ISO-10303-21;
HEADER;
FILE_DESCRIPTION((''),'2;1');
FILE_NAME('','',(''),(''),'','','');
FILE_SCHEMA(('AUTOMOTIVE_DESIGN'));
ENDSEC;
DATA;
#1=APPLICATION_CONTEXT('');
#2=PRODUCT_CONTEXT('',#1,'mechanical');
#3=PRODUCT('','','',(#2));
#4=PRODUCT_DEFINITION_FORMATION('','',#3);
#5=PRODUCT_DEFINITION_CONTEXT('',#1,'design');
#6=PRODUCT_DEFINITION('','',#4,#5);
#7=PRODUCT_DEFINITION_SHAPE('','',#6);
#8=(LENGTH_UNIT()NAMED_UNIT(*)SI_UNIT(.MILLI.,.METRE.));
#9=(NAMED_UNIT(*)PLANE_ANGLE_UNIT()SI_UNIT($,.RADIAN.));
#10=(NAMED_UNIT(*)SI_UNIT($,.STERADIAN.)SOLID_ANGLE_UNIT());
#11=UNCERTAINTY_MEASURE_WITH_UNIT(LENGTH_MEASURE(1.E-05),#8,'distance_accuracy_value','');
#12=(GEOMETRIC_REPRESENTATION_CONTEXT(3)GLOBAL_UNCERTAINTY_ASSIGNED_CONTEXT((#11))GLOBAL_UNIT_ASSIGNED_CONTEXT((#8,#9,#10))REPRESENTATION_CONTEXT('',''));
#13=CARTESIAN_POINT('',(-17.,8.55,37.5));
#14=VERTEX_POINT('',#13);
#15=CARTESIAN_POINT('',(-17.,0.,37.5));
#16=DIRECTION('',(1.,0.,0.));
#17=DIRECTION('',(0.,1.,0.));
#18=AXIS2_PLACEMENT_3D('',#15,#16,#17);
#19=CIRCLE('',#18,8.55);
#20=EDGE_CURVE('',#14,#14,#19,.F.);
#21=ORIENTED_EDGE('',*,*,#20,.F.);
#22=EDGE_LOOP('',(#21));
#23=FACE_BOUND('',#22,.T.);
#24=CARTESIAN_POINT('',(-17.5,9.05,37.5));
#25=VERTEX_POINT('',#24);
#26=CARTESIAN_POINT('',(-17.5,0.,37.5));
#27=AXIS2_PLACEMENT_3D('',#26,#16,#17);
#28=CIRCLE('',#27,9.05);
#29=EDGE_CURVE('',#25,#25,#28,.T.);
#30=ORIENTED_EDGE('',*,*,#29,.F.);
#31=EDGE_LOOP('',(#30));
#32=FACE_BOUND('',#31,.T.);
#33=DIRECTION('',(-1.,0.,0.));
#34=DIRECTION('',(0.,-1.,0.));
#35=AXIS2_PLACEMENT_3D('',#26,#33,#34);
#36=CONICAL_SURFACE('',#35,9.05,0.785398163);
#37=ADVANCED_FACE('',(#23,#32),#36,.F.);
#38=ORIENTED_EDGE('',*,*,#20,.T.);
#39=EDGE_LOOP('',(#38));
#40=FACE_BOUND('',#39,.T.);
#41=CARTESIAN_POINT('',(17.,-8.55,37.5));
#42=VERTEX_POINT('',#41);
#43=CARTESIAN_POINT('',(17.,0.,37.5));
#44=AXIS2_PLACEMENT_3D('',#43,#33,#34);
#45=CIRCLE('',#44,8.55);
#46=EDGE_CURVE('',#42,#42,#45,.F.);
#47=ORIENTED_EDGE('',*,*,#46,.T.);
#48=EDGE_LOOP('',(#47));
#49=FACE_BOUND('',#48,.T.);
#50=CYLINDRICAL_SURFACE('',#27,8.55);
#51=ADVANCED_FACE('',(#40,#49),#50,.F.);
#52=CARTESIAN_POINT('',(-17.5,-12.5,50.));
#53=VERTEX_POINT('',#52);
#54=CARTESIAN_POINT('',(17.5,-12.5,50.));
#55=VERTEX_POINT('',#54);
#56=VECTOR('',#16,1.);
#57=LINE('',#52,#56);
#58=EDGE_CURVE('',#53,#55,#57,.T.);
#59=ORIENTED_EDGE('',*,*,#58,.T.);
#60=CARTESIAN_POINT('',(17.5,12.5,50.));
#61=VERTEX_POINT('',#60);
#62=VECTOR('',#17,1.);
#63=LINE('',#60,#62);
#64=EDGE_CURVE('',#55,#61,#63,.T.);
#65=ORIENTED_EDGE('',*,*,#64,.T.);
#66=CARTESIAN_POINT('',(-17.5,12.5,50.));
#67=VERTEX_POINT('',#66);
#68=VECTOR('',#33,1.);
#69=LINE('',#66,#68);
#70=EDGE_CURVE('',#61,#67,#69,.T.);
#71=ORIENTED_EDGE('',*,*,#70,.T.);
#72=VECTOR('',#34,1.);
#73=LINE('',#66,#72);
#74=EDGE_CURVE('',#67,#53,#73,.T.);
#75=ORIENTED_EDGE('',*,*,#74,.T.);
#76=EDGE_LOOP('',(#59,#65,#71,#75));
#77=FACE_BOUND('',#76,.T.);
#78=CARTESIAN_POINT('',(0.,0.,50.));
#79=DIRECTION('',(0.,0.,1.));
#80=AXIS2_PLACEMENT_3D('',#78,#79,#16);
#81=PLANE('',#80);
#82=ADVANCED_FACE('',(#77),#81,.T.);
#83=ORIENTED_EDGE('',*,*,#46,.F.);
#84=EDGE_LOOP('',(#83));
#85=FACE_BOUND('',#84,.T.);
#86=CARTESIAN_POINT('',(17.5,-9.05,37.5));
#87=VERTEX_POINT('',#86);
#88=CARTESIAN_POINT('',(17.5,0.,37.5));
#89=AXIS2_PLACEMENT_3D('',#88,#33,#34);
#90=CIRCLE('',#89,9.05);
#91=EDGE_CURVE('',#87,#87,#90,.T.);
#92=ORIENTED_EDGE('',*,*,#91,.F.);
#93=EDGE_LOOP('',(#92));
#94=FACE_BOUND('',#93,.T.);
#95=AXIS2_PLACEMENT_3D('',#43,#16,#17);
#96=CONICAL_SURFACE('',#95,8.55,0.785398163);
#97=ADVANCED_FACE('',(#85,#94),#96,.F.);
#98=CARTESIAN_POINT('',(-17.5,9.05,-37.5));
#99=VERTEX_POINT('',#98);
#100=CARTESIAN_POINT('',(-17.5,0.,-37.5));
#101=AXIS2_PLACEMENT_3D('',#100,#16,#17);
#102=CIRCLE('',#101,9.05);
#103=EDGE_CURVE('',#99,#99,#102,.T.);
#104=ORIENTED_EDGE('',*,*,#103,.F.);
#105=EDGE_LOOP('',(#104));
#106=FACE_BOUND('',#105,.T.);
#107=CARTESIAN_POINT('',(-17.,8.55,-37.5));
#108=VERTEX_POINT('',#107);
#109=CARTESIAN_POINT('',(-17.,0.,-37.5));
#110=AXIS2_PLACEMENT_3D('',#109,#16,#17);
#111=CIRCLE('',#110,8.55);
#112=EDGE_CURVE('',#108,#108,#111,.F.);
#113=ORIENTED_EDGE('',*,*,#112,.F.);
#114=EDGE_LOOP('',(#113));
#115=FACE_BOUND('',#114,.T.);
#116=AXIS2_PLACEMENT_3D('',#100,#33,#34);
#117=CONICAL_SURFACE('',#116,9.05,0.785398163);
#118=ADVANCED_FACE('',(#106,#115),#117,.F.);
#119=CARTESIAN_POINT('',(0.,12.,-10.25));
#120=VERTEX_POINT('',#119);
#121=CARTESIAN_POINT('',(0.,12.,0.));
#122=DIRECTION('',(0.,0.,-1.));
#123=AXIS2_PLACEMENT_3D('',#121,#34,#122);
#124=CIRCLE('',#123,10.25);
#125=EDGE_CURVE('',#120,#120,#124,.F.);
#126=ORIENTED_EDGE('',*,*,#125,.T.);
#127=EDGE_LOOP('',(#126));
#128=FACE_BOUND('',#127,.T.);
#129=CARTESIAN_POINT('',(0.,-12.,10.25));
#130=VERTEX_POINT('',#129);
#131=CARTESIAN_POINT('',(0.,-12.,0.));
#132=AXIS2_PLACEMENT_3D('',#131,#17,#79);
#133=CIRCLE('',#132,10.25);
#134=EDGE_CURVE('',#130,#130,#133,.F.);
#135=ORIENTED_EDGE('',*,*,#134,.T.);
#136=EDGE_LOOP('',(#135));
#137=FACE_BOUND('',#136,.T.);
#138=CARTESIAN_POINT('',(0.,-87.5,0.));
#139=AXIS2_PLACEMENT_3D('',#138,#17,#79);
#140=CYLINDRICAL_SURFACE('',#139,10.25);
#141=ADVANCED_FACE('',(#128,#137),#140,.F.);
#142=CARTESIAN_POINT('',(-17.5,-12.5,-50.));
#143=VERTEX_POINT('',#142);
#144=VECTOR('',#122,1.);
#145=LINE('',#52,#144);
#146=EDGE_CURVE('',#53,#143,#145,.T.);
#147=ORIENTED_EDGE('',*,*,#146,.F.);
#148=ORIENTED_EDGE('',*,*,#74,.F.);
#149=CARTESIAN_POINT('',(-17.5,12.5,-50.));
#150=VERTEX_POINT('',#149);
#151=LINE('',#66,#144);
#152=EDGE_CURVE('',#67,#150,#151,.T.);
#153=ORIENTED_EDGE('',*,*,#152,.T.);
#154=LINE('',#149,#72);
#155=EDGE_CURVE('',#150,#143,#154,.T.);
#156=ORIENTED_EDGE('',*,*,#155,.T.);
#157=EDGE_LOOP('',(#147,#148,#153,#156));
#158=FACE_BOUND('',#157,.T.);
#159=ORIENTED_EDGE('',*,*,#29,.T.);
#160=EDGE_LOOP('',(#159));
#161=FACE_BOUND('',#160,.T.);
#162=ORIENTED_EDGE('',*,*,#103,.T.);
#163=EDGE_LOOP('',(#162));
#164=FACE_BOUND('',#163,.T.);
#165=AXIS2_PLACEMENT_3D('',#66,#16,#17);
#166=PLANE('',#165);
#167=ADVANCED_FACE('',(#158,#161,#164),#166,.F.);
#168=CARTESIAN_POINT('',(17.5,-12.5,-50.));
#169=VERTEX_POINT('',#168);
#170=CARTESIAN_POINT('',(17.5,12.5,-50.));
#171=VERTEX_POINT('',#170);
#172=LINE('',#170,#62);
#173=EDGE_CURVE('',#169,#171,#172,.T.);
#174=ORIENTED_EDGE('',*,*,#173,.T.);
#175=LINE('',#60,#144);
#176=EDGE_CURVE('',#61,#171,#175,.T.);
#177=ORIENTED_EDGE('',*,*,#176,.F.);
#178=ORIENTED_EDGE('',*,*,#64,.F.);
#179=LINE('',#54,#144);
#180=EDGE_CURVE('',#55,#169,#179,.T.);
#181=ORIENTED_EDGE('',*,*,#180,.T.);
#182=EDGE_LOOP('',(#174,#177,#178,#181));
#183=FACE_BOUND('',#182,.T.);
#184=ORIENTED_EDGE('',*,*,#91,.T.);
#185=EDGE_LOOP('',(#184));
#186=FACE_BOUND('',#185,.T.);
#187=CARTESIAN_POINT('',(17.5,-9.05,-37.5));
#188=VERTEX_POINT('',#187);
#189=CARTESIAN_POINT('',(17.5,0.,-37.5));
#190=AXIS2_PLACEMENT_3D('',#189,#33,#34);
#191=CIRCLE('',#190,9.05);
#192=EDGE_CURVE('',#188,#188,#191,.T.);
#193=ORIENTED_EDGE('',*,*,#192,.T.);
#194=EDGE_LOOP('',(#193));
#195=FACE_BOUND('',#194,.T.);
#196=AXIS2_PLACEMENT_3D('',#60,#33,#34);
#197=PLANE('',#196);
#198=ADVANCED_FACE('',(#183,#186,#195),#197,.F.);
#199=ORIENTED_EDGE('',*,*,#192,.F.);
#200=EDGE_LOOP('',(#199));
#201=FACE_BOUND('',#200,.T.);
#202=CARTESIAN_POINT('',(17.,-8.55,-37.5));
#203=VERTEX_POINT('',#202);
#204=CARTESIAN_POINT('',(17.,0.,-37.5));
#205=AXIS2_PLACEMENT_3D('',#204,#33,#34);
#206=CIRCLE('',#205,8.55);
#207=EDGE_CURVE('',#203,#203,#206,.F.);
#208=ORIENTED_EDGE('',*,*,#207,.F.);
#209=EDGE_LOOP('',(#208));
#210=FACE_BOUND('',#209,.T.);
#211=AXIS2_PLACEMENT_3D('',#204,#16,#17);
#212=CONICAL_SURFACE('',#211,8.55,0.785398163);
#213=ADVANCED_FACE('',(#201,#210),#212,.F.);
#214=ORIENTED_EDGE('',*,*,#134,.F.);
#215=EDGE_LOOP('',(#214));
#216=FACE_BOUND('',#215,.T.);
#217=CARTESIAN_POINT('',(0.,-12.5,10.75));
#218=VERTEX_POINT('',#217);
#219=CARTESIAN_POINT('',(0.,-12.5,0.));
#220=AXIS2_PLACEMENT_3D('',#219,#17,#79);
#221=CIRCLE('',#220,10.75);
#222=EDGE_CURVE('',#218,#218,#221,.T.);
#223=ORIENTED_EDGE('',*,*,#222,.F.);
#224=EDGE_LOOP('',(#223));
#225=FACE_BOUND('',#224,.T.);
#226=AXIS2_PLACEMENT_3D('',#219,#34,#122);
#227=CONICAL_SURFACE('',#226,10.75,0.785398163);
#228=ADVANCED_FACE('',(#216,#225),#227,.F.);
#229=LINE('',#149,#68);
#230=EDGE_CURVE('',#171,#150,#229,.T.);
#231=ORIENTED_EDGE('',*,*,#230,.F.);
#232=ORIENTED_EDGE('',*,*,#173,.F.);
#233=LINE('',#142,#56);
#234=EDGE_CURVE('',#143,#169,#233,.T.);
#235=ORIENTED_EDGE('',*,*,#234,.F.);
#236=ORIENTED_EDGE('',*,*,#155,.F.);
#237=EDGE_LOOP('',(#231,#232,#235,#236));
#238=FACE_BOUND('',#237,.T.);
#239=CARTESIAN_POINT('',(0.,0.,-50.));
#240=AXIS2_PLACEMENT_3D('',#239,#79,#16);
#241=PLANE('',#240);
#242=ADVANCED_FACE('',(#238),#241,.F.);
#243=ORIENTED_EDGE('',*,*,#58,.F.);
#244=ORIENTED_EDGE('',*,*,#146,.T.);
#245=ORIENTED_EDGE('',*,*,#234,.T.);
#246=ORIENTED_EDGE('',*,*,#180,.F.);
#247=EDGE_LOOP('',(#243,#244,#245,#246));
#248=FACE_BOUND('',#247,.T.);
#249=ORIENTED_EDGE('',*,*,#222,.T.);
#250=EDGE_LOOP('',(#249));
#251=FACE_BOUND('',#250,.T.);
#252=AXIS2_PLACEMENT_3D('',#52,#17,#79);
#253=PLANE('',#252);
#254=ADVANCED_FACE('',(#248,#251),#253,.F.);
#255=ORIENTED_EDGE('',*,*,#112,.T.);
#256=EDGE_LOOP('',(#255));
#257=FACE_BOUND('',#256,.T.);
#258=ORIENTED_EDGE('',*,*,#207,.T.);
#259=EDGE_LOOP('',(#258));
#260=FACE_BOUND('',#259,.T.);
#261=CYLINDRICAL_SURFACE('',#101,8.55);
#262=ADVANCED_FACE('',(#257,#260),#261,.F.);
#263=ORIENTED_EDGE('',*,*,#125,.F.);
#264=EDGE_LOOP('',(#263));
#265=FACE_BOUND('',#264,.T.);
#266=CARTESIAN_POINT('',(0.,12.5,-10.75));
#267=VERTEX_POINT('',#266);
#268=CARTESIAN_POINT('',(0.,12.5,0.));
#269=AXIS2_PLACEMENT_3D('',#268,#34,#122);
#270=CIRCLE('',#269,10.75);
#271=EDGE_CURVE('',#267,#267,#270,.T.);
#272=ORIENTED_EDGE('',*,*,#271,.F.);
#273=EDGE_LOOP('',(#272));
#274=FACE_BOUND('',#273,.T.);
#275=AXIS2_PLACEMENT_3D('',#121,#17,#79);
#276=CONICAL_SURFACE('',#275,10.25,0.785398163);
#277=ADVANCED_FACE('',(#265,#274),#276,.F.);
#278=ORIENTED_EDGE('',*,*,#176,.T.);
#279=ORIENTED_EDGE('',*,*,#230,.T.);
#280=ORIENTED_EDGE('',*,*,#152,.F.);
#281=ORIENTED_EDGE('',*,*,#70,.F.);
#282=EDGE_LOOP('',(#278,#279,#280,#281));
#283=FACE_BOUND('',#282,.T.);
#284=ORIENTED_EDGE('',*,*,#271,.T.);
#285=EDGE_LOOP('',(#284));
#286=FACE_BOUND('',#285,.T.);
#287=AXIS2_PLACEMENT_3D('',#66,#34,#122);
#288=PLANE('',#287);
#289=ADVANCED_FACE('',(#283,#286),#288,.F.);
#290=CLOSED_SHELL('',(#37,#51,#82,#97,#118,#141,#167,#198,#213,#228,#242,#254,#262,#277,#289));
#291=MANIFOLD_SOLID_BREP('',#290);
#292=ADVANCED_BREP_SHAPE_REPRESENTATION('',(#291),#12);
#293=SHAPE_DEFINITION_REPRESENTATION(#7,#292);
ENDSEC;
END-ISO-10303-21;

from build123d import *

# Parameters (mm, degrees)
SCHIZZO1_W                   = 35
SCHIZZO1_H                   = 25
ESTRUSIONE_ESTRUSIONE1_DEPTH = 50
SCHIZZO2_R                   = 10.25
TAGLIO_ESTRUSIONE1_DEPTH     = 100
SCHIZZO3_R                   = 8.55
TAGLIO_ESTRUSIONE3_DEPTH     = 63.299678972
SMUSSO1_SIZE                 = 0.5


with BuildPart() as part:
    # Schizzo1 → Estrusione-Estrusione1 (new, symmetric)
    with BuildSketch(Plane.XY):
        Rectangle(SCHIZZO1_W, SCHIZZO1_H)
    extrude(amount=ESTRUSIONE_ESTRUSIONE1_DEPTH, both=True)

    # Schizzo2 → Taglio-Estrusione1 (cut)
    with BuildSketch(Plane(origin=(0, 12.5, 0), x_dir=(1, 0, 0), z_dir=(0, 1, 0))):
        with Locations(Location((0, 0, 0), (0, 0, 270))):
            Circle(SCHIZZO2_R)
    extrude(amount=-TAGLIO_ESTRUSIONE1_DEPTH, mode=Mode.SUBTRACT)

    # Schizzo3 → Taglio-Estrusione3 (cut, through all)
    with BuildSketch(Plane(origin=(17.5, 0, 0), x_dir=(0, 0, -1), z_dir=(1, 0, 0))):
        with Locations(Location((37.5, 0, 0), (0, 0, 90))):
            Circle(SCHIZZO3_R)
        with Locations(Location((-37.5, 0, 0), (0, 0, 90))):
            Circle(SCHIZZO3_R)
    extrude(amount=-TAGLIO_ESTRUSIONE3_DEPTH, mode=Mode.SUBTRACT)

    # Smusso1
    smusso1_edges = [part.edges().sort_by_distance(p)[0] for p in [
        (0, -12.5, -10.25),
        (0, 12.5, -10.25),
        (-17.5, -8.55, -37.5),
        (17.5, -8.55, -37.5),
        (-17.5, -8.55, 37.5),
        (17.5, -8.55, 37.5),
    ]]
    chamfer(smusso1_edges, length=SMUSSO1_SIZE)


solid = part.part
